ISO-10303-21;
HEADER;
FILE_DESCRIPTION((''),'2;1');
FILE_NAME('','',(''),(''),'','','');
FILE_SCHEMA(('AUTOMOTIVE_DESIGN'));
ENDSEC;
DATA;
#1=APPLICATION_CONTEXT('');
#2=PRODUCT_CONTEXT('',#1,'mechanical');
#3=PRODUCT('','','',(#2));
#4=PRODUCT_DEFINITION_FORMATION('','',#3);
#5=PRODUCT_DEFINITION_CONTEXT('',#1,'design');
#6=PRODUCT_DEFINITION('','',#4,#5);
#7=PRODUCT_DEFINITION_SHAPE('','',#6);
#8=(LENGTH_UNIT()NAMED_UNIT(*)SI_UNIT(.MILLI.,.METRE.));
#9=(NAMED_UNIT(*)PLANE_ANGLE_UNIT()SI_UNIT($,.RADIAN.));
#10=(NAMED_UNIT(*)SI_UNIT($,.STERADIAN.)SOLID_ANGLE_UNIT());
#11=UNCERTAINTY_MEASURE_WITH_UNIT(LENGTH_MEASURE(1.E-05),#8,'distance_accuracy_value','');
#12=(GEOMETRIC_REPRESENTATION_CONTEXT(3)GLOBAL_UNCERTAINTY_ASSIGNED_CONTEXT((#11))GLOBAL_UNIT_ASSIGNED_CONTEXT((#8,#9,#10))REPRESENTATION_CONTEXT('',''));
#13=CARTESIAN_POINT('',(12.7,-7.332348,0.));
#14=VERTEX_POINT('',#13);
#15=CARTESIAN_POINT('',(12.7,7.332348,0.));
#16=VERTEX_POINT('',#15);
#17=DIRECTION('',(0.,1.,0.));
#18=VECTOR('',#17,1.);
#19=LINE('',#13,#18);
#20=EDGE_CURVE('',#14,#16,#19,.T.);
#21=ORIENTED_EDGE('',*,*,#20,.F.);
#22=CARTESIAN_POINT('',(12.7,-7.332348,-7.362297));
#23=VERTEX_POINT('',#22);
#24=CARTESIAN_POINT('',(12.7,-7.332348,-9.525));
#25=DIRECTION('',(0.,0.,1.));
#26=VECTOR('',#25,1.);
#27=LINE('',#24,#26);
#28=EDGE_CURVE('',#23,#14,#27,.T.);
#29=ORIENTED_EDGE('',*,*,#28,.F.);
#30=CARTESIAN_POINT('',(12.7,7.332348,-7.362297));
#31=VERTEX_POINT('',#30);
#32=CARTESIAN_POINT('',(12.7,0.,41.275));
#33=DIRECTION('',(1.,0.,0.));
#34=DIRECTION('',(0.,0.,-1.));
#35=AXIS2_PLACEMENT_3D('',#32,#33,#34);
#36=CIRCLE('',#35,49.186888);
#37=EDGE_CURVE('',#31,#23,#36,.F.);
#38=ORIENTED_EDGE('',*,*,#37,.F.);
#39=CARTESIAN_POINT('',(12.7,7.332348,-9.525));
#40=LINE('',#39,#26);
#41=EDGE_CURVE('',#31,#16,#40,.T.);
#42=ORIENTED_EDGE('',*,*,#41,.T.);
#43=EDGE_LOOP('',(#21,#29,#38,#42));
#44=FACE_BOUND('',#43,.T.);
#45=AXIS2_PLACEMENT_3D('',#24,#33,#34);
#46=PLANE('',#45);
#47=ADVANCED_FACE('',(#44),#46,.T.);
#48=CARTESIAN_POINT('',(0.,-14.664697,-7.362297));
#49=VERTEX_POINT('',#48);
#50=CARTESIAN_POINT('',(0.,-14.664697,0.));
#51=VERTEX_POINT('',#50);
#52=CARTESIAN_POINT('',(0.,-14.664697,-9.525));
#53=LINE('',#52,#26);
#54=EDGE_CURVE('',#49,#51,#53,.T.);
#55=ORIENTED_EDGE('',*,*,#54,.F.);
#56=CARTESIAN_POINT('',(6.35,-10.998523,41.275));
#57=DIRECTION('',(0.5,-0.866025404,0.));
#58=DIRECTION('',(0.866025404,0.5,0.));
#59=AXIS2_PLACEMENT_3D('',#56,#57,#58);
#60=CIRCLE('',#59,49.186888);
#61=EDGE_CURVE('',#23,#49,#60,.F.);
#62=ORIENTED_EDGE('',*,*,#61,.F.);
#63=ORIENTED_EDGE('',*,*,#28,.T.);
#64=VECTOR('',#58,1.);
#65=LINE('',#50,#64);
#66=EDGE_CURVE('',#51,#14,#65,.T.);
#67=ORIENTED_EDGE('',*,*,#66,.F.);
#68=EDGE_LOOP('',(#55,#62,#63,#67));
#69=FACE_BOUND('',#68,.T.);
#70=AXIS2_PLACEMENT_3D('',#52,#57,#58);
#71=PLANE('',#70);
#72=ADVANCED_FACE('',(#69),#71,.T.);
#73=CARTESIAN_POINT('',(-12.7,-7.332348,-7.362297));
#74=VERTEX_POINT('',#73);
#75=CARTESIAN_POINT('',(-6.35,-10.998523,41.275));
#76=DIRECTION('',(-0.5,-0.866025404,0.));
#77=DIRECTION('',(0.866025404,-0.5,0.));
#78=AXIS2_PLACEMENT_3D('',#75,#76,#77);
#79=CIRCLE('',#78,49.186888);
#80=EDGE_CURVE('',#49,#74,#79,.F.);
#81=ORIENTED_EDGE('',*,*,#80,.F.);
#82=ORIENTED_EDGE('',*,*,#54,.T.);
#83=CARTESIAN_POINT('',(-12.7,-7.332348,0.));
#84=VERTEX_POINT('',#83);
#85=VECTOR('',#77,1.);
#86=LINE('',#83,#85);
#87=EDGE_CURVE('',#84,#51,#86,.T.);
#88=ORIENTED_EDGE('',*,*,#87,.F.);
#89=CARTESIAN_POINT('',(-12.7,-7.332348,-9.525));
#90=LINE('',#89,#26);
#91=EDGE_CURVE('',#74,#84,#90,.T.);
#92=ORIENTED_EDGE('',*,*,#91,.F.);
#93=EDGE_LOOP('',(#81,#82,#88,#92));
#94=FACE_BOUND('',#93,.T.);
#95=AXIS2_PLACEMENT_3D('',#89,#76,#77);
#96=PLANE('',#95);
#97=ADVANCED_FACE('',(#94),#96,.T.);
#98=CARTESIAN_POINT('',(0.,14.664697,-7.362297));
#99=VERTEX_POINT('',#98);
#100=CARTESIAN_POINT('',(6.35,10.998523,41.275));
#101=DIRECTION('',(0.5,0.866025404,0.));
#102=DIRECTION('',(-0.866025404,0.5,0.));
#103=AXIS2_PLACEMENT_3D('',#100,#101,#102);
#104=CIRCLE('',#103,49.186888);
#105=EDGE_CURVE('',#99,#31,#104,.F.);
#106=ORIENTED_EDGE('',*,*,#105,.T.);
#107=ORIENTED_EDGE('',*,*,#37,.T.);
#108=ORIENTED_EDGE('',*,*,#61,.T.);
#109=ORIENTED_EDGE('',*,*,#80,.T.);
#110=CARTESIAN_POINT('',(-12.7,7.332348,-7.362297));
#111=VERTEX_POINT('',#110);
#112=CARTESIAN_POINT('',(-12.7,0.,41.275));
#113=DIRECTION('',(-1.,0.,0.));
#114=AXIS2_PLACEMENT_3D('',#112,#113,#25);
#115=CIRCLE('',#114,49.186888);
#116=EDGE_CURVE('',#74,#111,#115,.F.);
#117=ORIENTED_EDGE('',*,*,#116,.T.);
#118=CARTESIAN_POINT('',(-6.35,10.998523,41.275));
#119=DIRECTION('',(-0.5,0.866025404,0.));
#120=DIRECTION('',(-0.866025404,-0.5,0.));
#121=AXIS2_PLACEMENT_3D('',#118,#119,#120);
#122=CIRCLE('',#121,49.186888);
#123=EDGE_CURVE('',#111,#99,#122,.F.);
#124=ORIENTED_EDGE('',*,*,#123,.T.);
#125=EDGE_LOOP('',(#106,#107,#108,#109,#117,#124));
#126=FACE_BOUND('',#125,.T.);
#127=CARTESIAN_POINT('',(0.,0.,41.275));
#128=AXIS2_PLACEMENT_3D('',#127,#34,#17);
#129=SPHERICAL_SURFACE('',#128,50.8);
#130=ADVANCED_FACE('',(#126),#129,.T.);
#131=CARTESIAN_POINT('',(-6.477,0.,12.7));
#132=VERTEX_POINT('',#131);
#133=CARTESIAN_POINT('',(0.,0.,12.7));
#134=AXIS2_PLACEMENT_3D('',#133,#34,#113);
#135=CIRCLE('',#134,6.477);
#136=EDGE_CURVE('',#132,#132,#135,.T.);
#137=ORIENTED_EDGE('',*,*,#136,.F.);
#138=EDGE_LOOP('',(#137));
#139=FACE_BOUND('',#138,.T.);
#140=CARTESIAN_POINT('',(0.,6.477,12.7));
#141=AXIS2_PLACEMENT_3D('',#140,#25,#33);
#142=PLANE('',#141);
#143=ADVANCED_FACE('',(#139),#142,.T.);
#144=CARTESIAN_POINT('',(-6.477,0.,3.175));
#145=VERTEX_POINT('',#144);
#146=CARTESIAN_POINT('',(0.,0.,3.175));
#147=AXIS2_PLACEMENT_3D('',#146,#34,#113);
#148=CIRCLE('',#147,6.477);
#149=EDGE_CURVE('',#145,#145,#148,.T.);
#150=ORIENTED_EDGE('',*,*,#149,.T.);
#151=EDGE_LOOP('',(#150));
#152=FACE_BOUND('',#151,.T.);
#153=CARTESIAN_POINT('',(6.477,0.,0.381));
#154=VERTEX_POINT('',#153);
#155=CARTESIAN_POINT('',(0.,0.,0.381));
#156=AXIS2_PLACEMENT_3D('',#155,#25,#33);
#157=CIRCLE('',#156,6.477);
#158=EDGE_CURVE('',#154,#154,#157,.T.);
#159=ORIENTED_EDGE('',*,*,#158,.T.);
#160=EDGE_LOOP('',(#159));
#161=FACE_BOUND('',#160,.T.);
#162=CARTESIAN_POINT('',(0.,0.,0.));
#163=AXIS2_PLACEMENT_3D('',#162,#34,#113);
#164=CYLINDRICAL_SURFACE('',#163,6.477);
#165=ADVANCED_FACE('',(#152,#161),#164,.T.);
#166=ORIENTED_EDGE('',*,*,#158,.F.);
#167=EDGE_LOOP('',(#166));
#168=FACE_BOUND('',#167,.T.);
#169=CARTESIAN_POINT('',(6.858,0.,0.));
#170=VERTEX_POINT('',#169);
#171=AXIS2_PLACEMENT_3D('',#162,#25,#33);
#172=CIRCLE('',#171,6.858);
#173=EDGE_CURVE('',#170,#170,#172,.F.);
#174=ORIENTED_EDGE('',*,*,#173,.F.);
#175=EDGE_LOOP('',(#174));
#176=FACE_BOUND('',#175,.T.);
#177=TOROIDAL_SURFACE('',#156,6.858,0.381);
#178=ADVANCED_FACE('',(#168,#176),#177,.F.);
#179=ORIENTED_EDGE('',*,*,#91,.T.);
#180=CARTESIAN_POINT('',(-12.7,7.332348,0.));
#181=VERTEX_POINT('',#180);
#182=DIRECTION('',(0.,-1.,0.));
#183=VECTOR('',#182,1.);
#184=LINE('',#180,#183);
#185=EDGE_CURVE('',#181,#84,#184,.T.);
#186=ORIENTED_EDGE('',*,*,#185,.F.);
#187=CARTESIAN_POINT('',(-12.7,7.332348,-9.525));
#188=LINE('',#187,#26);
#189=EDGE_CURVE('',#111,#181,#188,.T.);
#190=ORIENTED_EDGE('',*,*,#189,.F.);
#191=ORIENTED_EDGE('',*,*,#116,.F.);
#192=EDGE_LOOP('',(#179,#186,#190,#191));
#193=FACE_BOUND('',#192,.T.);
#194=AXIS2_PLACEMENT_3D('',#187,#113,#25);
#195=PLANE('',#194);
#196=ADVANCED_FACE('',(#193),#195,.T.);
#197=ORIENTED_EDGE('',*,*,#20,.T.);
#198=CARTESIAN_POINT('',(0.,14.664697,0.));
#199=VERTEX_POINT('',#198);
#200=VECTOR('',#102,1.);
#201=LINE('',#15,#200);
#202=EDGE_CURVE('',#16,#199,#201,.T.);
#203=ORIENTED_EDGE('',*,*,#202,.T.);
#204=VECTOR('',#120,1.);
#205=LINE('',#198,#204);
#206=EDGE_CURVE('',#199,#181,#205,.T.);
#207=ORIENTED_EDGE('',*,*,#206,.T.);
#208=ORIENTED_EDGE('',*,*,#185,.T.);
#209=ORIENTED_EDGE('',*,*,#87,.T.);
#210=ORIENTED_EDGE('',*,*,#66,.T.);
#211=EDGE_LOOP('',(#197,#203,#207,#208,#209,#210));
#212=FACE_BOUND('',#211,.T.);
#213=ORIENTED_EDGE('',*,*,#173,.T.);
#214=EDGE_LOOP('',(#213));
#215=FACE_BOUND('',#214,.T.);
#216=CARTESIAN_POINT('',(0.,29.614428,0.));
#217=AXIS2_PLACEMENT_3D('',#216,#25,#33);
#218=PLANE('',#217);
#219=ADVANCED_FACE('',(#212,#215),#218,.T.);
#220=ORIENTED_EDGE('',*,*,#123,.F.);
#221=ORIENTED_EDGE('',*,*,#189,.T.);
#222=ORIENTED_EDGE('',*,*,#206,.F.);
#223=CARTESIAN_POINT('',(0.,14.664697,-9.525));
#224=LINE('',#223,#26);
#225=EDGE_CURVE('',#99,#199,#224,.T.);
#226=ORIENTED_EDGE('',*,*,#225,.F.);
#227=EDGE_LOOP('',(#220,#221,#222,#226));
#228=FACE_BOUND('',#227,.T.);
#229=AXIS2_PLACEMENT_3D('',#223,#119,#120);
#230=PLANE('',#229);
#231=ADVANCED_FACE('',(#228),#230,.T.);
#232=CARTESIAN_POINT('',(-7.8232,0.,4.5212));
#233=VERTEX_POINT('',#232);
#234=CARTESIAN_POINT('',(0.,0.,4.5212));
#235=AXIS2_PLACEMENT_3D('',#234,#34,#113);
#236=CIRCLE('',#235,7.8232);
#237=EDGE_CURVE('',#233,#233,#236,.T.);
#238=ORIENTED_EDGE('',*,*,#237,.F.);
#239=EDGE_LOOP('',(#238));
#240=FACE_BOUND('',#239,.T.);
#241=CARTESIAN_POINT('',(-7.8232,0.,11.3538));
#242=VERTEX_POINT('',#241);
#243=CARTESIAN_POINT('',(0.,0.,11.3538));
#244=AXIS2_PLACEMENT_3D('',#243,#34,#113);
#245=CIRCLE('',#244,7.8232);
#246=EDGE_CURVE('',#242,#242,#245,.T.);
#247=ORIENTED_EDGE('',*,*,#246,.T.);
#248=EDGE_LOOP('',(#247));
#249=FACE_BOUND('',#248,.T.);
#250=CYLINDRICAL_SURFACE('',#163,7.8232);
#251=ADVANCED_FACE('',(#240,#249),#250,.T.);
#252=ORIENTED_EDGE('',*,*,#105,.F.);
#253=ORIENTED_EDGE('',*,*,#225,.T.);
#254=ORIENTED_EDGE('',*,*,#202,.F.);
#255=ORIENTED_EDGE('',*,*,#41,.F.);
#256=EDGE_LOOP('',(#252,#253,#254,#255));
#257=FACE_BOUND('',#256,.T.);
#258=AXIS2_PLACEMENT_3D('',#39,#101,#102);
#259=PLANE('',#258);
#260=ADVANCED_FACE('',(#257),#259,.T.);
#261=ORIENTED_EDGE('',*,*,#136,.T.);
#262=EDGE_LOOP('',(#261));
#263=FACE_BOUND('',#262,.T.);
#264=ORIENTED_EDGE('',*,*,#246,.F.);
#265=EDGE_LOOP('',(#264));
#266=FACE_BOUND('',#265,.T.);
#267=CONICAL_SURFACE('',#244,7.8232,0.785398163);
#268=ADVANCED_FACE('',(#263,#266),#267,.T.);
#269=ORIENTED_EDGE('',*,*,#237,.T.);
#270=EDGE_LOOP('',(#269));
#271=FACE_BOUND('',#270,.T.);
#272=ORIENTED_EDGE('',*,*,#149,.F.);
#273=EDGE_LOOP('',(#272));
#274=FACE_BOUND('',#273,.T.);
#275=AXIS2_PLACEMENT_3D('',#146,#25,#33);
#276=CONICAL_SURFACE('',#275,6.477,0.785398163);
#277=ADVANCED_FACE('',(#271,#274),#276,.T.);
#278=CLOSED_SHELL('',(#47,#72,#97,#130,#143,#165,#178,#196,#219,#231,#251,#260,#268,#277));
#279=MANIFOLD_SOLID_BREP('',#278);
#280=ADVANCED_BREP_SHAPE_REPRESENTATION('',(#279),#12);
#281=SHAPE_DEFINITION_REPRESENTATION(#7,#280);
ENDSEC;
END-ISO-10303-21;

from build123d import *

# Parameters (mm, degrees)
SKETCH2_OUTSIDE_W  = 78.56
SKETCH2_OUTSIDE_H  = 78.56
CUT_EXTRUDE1_DEPTH = 10.525
FILLET1_R          = 0.381


with BuildPart() as part:
    # Sketch1 → Revolve1 (revolve)
    with BuildSketch(Plane(origin=(0, 0, 0), x_dir=(0, 0, -1), z_dir=(1, 0, 0)), mode=Mode.PRIVATE) as revolve1_sk:
        with BuildLine():
            Line((0, 29.614428494), (0, 6.477))
            Line((0, 6.477), (-3.175, 6.477))
            Line((-3.175, 6.477), (-4.5212, 7.8232))
            Line((-4.5212, 7.8232), (-11.3538, 7.8232))
            Line((-11.3538, 7.8232), (-12.7, 6.477))
            Line((-12.7, 6.477), (-12.7, 0))
            Line((-12.7, 0), (9.525, 0))
            ThreePointArc((9.525, 0), (7.085159222, 15.554259867), (0, 29.614428494))
        make_face()
    revolve(revolve1_sk.sketch.rotate(Axis((0, 0, 0), (0, 0, 1)), 90), axis=Axis((0, 0, 0), (0, 0, 1)))  # turned: the seam where the file's is

    # Sketch2 outside → Cut-Extrude1 (cut, through all)
    with BuildSketch(Plane.XY):
        Rectangle(SKETCH2_OUTSIDE_W, SKETCH2_OUTSIDE_H)
        Polygon((0, 14.664696837), (-12.7, 7.332348419), (-12.7, -7.332348419), (0, -14.664696837), (12.7, -7.332348419), (12.7, 7.332348419), align=None, mode=Mode.SUBTRACT)
    extrude(amount=-CUT_EXTRUDE1_DEPTH, mode=Mode.SUBTRACT)

    # Fillet1
    fillet1_edges = [part.edges().sort_by_distance(p)[0] for p in [
        (6.477, 0, 0),
    ]]
    fillet(fillet1_edges, radius=FILLET1_R)


solid = part.part
